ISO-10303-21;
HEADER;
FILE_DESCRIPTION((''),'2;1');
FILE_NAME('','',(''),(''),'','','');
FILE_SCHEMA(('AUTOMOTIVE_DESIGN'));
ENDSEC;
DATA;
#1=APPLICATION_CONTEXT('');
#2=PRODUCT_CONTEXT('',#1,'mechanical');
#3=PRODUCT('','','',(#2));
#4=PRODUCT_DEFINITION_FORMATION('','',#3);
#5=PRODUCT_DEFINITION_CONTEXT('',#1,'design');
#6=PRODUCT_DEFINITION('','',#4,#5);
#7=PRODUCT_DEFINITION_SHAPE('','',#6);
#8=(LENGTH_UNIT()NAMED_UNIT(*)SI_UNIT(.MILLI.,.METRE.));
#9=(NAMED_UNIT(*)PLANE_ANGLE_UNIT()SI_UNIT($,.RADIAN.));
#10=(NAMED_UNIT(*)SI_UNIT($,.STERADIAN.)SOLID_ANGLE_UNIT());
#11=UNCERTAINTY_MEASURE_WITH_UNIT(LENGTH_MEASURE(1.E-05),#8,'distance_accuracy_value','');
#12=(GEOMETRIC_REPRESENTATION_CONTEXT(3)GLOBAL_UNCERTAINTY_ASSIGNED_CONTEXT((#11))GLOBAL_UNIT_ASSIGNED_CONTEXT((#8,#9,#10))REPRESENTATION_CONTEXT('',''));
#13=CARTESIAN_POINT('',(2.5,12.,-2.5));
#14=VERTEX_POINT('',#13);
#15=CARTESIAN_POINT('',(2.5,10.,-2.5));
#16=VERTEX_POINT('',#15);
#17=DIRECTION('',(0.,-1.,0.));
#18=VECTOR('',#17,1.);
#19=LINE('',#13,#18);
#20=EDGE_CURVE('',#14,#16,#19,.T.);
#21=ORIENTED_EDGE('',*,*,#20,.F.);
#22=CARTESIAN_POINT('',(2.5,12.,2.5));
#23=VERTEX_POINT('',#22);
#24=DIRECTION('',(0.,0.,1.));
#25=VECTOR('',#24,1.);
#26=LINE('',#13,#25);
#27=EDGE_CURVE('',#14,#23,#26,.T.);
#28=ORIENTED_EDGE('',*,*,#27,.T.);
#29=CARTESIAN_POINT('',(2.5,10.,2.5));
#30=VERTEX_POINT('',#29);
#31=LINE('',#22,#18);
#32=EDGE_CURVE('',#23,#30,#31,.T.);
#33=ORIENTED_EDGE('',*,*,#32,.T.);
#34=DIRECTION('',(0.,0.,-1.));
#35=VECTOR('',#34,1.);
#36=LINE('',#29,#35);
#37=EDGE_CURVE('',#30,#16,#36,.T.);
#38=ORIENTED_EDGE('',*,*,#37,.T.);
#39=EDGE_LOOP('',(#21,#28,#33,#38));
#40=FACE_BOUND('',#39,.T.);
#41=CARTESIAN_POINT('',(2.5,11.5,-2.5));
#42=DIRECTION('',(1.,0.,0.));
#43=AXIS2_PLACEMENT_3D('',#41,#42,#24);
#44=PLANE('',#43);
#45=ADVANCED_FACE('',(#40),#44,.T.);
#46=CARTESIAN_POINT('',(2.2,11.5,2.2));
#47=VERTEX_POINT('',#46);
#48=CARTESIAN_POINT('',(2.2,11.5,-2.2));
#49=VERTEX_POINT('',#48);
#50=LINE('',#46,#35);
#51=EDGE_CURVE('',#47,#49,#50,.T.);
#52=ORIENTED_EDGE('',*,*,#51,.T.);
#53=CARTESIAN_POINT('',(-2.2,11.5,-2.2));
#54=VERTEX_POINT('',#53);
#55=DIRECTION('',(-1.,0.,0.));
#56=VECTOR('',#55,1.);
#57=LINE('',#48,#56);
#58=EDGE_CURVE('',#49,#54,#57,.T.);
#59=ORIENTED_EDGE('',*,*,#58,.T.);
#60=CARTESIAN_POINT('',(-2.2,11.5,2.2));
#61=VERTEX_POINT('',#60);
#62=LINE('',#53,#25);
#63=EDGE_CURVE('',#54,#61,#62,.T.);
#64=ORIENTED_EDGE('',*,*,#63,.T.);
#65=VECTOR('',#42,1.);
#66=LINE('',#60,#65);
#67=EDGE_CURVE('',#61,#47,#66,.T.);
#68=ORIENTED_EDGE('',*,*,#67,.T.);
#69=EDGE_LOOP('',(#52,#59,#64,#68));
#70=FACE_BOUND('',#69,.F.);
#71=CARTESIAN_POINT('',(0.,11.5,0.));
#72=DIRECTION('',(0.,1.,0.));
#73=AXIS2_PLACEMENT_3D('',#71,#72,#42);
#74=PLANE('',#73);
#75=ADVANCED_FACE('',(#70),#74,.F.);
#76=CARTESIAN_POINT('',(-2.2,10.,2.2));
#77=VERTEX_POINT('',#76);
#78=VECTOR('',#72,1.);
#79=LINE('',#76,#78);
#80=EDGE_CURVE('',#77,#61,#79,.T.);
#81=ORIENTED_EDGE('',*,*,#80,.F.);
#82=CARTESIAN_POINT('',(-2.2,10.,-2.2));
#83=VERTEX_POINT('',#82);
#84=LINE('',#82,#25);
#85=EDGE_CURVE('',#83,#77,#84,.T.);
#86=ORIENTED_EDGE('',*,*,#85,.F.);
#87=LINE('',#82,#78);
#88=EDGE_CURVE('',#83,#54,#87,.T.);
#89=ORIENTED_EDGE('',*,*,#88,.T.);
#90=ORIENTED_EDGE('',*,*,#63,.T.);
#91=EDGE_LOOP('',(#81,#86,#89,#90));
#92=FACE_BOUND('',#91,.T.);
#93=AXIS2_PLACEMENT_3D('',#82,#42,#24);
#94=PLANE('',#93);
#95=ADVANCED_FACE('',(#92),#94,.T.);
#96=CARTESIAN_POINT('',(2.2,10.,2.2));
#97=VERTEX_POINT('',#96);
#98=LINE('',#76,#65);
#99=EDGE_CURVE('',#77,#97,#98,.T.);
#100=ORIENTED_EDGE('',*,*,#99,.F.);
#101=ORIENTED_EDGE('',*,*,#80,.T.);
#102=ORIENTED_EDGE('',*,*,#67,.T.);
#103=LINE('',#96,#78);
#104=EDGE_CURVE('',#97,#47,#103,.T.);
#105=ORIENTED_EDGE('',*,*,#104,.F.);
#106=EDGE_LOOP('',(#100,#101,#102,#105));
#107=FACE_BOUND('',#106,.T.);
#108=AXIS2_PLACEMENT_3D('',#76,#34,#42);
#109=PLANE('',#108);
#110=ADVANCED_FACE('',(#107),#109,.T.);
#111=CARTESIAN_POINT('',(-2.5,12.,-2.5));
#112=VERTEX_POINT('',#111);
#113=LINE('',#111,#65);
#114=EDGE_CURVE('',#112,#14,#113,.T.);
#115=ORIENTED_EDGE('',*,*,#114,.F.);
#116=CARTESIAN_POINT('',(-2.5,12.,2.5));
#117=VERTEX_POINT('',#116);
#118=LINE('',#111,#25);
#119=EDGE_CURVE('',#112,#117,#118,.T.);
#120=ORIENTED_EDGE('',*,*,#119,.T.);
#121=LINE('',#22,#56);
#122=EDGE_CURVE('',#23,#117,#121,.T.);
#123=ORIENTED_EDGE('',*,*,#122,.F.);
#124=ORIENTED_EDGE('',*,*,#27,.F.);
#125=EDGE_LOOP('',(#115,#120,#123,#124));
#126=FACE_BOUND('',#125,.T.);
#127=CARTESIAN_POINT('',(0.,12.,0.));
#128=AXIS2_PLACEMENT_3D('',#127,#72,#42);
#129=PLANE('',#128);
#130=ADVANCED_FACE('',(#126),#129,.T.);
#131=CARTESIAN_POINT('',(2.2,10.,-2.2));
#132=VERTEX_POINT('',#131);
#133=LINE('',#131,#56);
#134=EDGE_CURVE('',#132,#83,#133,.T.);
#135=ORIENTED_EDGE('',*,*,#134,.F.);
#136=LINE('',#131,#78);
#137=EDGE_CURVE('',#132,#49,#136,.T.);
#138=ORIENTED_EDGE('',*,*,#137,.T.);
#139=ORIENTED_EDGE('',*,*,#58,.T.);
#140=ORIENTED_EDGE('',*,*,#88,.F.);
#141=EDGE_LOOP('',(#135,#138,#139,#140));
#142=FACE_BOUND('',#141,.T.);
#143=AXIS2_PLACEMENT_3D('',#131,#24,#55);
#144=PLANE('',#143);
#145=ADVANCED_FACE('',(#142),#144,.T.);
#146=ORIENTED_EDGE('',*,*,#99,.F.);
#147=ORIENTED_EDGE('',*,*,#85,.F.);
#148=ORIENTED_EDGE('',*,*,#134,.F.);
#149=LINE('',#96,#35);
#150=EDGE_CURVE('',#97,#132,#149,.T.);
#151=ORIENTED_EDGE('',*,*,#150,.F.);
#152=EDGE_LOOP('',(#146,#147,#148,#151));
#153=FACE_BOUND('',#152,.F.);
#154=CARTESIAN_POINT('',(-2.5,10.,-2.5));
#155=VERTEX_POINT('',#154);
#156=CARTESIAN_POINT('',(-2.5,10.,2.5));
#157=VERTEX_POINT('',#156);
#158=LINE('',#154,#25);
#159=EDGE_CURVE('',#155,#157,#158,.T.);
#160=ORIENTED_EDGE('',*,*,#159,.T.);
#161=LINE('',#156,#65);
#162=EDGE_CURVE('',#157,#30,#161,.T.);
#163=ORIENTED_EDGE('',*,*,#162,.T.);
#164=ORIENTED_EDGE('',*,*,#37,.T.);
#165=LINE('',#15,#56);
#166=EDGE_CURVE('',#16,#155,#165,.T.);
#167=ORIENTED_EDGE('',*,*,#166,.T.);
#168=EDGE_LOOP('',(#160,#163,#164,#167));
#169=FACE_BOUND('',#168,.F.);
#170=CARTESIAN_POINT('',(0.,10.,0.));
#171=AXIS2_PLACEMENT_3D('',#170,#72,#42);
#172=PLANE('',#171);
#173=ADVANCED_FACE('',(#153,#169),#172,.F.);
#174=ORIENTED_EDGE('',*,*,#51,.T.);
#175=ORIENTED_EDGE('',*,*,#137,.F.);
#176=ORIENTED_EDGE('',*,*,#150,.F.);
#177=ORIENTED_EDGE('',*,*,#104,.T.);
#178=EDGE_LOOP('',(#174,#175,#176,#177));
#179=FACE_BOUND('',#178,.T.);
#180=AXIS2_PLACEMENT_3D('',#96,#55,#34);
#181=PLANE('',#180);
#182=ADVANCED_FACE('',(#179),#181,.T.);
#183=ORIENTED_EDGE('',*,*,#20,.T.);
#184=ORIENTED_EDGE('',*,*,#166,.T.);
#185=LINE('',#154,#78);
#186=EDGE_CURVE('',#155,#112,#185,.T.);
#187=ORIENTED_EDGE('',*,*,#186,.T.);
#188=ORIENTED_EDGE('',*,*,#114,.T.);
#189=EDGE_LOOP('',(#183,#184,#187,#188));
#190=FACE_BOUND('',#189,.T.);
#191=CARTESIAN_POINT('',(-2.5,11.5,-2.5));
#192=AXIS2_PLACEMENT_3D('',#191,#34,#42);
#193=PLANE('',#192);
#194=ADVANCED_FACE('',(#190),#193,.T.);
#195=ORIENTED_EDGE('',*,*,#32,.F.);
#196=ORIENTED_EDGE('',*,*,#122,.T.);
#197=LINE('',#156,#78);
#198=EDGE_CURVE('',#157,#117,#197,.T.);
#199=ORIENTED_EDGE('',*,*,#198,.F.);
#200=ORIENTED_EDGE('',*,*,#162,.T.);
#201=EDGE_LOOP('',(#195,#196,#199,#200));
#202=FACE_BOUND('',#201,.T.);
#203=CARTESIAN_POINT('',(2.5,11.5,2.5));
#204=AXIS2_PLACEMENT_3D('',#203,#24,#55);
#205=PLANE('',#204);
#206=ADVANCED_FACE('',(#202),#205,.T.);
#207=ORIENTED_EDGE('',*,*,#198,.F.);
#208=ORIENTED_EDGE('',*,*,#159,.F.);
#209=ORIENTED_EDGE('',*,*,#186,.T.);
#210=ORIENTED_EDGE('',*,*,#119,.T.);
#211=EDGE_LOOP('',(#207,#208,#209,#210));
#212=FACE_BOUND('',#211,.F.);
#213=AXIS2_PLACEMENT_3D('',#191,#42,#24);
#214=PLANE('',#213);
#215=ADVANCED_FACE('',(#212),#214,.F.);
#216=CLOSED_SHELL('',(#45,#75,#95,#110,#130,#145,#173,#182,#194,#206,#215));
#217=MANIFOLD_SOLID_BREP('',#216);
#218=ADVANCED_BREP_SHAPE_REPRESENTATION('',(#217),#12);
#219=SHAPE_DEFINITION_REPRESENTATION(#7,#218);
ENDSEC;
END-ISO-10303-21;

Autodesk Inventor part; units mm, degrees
ref_plane "YZ Plane" through (0, 0, 0) normal (1, 0, 0) x (0, 1, 0)
ref_plane "XZ Plane" through (0, 0, 0) normal (0, 1, 0) x (-1, 0, 0)
ref_plane "XY Plane" through (0, 0, 0) normal (0, 0, 1) x (1, 0, 0)
sketch "Sketch1" plane through (0, 0, 0) normal (0, 1, 0) x (-1, 0, 0)
  line L0 (-2.5, 2.5) -> (2.5, 2.5)
  line L1 (2.5, 2.5) -> (2.5, -2.5)
  line L2 (2.5, -2.5) -> (-2.5, -2.5)
  line L3 (-2.5, -2.5) -> (-2.5, 2.5)
  line L4 (-2.5, 2.5) -> (2.5, -2.5) construction
  line L5 (2.5, 2.5) -> (-2.5, -2.5) construction
  point P0 (0, 0)
  dimension "d0" = 5
  dimension "d1" = 5
extrude "Extrusion1" add sketch "Sketch1" along normal blind 10
shell "Shell1" thickness 1 removed faces 1 at (-0.8333, 10, -0.8333)
sketch "Sketch2" plane through (0, 10, 0) normal (0, 1, 0) x (1, 0, 0)
  line L0 (1.5, 1.5) -> (1.5, -1.5) projected
  line L1 (1.5, -1.5) -> (-1.5, -1.5) projected
  line L2 (-1.5, -1.5) -> (-1.5, 1.5) projected
  line L3 (-1.5, 1.5) -> (1.5, 1.5) projected
  line L4 (2.5, 2.5) -> (-2.5, 2.5) projected
  line L5 (-2.5, 2.5) -> (-2.5, -2.5) projected
  line L6 (-2.5, -2.5) -> (2.5, -2.5) projected
  line L7 (2.5, -2.5) -> (2.5, 2.5) projected
  line L8 (-2, 2) -> (-2, -2)
  line L9 (-2, -2) -> (2, -2)
  line L10 (2, -2) -> (2, 2)
  line L11 (2, 2) -> (-2, 2)
  point P0 (0, 0)
  dimension "d5" = 0.5
extrude "Extrusion2" add sketch "Sketch2" along normal blind 1 contours L11 L10 L9 L8
sketch "Sketch3" plane through (0, 10, 0) normal (0, 1, 0) x (1, 0, 0)
  line L0 (-2, -2) -> (-2, 2) projected
  line L1 (-2, 2) -> (2, 2) projected
  line L2 (2, 2) -> (2, -2) projected
  line L3 (2, -2) -> (-2, -2) projected
  line L4 (2.5, 2.5) -> (-2.5, 2.5) projected
  line L5 (-2.5, 2.5) -> (-2.5, -2.5) projected
  line L6 (-2.5, -2.5) -> (2.5, -2.5) projected
  line L7 (2.5, -2.5) -> (2.5, 2.5) projected
  line L8 (-1.5, -1.5) -> (-1.5, 1.5) projected
  line L9 (1.5, -1.5) -> (-1.5, -1.5) projected
  line L10 (1.5, 1.5) -> (1.5, -1.5) projected
  line L11 (-1.5, 1.5) -> (1.5, 1.5) projected
  point P0 (0, 0)
extrude "Extrusion3" cut sketch "Sketch3" along normal through all both and the other way through all contours L0 L1 L2 L3 | L7 L6 L5 L4 | L8 L11 L10 L9
extrude "Extrusion4" add sketch "Sketch3" along normal blind 1.5 contours L7 L6 L5 L4
sketch "Sketch4" plane through (0, 11.5, 0) normal (0, 1, 0) x (1, 0, 0)
  point P0 (0, 0)
sketch "Sketch5" plane through (0, 10, 0) normal (0, -1, 0) x (1, 0, 0)
  line L0 (-2, 2) -> (-2, -2) projected
  line L1 (-2, -2) -> (2, -2) projected
  line L2 (2, -2) -> (2, 2) projected
  line L3 (2, 2) -> (-2, 2) projected
  line L4 (-2.2, -2.2) -> (-2.2, 2.2)
  line L5 (-2.2, 2.2) -> (2.2, 2.2)
  line L6 (2.2, 2.2) -> (2.2, -2.2)
  line L7 (2.2, -2.2) -> (-2.2, -2.2)
  point P0 (0, 0)
  dimension "d12" = 0.2
extrude "Extrusion5" cut sketch "Sketch5" against normal blind 1.5 contours L3 L2 L1 L0 | L4 L5 L6 L7
sketch "Sketch6" plane through (0, 11.5, 0) normal (0, 1, 0) x (1, 0, 0)
  line L0 (-2.5, 2.5) -> (-2.5, -2.5) projected
  line L1 (-2.5, 2.5) -> (2.5, 2.5)
  line L2 (2.5, 2.5) -> (2.5, -2.5)
  line L3 (2.5, -2.5) -> (-2.5, -2.5)
  line L4 (-2.5, -2.5) -> (-2.5, 2.5)
  point P0 (0, 0)
extrude "Extrusion6" add sketch "Sketch6" along normal blind 0.5
properties part number "snapfit_lid_v02"
